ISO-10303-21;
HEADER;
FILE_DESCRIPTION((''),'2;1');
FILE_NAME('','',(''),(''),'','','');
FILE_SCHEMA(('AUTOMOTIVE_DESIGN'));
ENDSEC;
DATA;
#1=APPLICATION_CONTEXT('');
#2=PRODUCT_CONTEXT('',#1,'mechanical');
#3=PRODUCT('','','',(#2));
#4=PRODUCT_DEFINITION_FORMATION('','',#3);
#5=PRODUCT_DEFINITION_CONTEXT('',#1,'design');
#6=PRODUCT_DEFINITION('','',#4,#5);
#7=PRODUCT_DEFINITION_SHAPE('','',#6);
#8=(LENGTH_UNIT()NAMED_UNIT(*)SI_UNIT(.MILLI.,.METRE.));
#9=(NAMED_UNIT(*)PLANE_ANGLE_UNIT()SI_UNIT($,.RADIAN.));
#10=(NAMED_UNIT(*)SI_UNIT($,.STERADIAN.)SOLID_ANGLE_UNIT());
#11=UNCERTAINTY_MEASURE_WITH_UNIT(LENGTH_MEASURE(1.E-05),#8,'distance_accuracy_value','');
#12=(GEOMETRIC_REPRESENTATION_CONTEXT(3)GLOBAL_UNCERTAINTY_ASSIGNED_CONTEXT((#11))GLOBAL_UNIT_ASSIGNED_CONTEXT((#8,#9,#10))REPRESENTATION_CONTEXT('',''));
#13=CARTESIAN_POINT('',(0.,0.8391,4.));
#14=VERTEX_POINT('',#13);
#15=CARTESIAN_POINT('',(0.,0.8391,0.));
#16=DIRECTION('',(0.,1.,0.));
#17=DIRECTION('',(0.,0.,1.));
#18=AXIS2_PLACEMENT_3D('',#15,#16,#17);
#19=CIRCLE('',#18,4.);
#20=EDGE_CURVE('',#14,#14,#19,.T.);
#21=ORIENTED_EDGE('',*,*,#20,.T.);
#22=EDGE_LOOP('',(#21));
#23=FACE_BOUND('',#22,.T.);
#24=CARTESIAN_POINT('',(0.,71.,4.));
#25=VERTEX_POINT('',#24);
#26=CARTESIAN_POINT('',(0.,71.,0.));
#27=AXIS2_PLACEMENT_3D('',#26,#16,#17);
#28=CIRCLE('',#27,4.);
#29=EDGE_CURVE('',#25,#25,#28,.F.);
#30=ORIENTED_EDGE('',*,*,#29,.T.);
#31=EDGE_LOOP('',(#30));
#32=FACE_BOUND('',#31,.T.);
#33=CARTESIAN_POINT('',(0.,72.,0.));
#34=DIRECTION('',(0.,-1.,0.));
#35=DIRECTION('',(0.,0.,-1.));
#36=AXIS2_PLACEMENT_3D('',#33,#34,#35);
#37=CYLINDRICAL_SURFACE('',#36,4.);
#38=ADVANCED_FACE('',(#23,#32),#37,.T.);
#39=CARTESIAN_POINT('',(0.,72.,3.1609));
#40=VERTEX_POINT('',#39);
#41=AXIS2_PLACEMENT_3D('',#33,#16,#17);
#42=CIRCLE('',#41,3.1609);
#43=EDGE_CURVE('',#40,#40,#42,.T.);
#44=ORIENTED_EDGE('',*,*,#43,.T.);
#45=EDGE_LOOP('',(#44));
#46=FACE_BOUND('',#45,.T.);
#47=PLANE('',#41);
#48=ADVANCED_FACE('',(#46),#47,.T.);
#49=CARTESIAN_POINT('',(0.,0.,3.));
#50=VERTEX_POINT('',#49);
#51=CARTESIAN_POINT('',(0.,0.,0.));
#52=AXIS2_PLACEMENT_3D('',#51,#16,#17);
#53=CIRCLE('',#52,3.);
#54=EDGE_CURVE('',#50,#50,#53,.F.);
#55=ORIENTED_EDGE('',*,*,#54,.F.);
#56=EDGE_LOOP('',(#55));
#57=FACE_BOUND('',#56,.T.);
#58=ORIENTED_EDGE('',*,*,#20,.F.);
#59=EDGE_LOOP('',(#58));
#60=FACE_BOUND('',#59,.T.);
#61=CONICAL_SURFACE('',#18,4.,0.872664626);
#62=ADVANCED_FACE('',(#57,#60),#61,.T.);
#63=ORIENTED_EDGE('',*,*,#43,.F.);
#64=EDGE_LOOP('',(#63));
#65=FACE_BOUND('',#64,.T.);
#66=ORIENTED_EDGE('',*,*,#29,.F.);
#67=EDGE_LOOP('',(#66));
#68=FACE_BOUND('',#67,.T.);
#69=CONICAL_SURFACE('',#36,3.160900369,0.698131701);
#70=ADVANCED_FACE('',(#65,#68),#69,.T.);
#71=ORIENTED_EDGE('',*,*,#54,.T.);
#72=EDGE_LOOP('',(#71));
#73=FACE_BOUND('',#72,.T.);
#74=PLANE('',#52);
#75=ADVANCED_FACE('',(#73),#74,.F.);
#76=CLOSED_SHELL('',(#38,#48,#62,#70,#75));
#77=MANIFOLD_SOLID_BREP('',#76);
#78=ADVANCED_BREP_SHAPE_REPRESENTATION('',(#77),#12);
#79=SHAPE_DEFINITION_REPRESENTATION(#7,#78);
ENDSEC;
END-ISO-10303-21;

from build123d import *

# Parameters (mm, degrees)
ESQUISSE1_R             = 4
BOSS_EXTRU_1_DEPTH      = 72
CHANFREIN1_SIZE         = 1
CHANFREIN1_SIZE2        = 0.839099631
CHANFREIN1_PART_2_SIZE  = 1
CHANFREIN1_PART_2_SIZE2 = 0.839099631


with BuildPart() as part:
    # Esquisse1 → Boss.-Extru.1 (new body)
    with BuildSketch(Plane(origin=(0, 0, 0), x_dir=(1, 0, 0), z_dir=(0, 1, 0))):
        Circle(ESQUISSE1_R)
    extrude(amount=BOSS_EXTRU_1_DEPTH)

    # Chanfrein1
    chanfrein1_edges = [part.edges().sort_by_distance(p)[0] for p in [
        (-4, 0, 0),
    ]]
    chanfrein1_side = [part.faces().sort_by_distance(p)[0] for p in [
        (0, 0, 0),
    ]]
    chamfer(chanfrein1_edges, length=CHANFREIN1_SIZE, length2=CHANFREIN1_SIZE2, reference=chanfrein1_side[0])

    # Chanfrein1 part 2
    chanfrein1_part_2_edges = [part.edges().sort_by_distance(p)[0] for p in [
        (-4, 72, 0),
    ]]
    chanfrein1_part_2_side = [part.faces().sort_by_distance(p)[0] for p in [
        (-4, 36, 0),
    ]]
    chamfer(chanfrein1_part_2_edges, length=CHANFREIN1_PART_2_SIZE, length2=CHANFREIN1_PART_2_SIZE2, reference=chanfrein1_part_2_side[0])


solid = part.part
